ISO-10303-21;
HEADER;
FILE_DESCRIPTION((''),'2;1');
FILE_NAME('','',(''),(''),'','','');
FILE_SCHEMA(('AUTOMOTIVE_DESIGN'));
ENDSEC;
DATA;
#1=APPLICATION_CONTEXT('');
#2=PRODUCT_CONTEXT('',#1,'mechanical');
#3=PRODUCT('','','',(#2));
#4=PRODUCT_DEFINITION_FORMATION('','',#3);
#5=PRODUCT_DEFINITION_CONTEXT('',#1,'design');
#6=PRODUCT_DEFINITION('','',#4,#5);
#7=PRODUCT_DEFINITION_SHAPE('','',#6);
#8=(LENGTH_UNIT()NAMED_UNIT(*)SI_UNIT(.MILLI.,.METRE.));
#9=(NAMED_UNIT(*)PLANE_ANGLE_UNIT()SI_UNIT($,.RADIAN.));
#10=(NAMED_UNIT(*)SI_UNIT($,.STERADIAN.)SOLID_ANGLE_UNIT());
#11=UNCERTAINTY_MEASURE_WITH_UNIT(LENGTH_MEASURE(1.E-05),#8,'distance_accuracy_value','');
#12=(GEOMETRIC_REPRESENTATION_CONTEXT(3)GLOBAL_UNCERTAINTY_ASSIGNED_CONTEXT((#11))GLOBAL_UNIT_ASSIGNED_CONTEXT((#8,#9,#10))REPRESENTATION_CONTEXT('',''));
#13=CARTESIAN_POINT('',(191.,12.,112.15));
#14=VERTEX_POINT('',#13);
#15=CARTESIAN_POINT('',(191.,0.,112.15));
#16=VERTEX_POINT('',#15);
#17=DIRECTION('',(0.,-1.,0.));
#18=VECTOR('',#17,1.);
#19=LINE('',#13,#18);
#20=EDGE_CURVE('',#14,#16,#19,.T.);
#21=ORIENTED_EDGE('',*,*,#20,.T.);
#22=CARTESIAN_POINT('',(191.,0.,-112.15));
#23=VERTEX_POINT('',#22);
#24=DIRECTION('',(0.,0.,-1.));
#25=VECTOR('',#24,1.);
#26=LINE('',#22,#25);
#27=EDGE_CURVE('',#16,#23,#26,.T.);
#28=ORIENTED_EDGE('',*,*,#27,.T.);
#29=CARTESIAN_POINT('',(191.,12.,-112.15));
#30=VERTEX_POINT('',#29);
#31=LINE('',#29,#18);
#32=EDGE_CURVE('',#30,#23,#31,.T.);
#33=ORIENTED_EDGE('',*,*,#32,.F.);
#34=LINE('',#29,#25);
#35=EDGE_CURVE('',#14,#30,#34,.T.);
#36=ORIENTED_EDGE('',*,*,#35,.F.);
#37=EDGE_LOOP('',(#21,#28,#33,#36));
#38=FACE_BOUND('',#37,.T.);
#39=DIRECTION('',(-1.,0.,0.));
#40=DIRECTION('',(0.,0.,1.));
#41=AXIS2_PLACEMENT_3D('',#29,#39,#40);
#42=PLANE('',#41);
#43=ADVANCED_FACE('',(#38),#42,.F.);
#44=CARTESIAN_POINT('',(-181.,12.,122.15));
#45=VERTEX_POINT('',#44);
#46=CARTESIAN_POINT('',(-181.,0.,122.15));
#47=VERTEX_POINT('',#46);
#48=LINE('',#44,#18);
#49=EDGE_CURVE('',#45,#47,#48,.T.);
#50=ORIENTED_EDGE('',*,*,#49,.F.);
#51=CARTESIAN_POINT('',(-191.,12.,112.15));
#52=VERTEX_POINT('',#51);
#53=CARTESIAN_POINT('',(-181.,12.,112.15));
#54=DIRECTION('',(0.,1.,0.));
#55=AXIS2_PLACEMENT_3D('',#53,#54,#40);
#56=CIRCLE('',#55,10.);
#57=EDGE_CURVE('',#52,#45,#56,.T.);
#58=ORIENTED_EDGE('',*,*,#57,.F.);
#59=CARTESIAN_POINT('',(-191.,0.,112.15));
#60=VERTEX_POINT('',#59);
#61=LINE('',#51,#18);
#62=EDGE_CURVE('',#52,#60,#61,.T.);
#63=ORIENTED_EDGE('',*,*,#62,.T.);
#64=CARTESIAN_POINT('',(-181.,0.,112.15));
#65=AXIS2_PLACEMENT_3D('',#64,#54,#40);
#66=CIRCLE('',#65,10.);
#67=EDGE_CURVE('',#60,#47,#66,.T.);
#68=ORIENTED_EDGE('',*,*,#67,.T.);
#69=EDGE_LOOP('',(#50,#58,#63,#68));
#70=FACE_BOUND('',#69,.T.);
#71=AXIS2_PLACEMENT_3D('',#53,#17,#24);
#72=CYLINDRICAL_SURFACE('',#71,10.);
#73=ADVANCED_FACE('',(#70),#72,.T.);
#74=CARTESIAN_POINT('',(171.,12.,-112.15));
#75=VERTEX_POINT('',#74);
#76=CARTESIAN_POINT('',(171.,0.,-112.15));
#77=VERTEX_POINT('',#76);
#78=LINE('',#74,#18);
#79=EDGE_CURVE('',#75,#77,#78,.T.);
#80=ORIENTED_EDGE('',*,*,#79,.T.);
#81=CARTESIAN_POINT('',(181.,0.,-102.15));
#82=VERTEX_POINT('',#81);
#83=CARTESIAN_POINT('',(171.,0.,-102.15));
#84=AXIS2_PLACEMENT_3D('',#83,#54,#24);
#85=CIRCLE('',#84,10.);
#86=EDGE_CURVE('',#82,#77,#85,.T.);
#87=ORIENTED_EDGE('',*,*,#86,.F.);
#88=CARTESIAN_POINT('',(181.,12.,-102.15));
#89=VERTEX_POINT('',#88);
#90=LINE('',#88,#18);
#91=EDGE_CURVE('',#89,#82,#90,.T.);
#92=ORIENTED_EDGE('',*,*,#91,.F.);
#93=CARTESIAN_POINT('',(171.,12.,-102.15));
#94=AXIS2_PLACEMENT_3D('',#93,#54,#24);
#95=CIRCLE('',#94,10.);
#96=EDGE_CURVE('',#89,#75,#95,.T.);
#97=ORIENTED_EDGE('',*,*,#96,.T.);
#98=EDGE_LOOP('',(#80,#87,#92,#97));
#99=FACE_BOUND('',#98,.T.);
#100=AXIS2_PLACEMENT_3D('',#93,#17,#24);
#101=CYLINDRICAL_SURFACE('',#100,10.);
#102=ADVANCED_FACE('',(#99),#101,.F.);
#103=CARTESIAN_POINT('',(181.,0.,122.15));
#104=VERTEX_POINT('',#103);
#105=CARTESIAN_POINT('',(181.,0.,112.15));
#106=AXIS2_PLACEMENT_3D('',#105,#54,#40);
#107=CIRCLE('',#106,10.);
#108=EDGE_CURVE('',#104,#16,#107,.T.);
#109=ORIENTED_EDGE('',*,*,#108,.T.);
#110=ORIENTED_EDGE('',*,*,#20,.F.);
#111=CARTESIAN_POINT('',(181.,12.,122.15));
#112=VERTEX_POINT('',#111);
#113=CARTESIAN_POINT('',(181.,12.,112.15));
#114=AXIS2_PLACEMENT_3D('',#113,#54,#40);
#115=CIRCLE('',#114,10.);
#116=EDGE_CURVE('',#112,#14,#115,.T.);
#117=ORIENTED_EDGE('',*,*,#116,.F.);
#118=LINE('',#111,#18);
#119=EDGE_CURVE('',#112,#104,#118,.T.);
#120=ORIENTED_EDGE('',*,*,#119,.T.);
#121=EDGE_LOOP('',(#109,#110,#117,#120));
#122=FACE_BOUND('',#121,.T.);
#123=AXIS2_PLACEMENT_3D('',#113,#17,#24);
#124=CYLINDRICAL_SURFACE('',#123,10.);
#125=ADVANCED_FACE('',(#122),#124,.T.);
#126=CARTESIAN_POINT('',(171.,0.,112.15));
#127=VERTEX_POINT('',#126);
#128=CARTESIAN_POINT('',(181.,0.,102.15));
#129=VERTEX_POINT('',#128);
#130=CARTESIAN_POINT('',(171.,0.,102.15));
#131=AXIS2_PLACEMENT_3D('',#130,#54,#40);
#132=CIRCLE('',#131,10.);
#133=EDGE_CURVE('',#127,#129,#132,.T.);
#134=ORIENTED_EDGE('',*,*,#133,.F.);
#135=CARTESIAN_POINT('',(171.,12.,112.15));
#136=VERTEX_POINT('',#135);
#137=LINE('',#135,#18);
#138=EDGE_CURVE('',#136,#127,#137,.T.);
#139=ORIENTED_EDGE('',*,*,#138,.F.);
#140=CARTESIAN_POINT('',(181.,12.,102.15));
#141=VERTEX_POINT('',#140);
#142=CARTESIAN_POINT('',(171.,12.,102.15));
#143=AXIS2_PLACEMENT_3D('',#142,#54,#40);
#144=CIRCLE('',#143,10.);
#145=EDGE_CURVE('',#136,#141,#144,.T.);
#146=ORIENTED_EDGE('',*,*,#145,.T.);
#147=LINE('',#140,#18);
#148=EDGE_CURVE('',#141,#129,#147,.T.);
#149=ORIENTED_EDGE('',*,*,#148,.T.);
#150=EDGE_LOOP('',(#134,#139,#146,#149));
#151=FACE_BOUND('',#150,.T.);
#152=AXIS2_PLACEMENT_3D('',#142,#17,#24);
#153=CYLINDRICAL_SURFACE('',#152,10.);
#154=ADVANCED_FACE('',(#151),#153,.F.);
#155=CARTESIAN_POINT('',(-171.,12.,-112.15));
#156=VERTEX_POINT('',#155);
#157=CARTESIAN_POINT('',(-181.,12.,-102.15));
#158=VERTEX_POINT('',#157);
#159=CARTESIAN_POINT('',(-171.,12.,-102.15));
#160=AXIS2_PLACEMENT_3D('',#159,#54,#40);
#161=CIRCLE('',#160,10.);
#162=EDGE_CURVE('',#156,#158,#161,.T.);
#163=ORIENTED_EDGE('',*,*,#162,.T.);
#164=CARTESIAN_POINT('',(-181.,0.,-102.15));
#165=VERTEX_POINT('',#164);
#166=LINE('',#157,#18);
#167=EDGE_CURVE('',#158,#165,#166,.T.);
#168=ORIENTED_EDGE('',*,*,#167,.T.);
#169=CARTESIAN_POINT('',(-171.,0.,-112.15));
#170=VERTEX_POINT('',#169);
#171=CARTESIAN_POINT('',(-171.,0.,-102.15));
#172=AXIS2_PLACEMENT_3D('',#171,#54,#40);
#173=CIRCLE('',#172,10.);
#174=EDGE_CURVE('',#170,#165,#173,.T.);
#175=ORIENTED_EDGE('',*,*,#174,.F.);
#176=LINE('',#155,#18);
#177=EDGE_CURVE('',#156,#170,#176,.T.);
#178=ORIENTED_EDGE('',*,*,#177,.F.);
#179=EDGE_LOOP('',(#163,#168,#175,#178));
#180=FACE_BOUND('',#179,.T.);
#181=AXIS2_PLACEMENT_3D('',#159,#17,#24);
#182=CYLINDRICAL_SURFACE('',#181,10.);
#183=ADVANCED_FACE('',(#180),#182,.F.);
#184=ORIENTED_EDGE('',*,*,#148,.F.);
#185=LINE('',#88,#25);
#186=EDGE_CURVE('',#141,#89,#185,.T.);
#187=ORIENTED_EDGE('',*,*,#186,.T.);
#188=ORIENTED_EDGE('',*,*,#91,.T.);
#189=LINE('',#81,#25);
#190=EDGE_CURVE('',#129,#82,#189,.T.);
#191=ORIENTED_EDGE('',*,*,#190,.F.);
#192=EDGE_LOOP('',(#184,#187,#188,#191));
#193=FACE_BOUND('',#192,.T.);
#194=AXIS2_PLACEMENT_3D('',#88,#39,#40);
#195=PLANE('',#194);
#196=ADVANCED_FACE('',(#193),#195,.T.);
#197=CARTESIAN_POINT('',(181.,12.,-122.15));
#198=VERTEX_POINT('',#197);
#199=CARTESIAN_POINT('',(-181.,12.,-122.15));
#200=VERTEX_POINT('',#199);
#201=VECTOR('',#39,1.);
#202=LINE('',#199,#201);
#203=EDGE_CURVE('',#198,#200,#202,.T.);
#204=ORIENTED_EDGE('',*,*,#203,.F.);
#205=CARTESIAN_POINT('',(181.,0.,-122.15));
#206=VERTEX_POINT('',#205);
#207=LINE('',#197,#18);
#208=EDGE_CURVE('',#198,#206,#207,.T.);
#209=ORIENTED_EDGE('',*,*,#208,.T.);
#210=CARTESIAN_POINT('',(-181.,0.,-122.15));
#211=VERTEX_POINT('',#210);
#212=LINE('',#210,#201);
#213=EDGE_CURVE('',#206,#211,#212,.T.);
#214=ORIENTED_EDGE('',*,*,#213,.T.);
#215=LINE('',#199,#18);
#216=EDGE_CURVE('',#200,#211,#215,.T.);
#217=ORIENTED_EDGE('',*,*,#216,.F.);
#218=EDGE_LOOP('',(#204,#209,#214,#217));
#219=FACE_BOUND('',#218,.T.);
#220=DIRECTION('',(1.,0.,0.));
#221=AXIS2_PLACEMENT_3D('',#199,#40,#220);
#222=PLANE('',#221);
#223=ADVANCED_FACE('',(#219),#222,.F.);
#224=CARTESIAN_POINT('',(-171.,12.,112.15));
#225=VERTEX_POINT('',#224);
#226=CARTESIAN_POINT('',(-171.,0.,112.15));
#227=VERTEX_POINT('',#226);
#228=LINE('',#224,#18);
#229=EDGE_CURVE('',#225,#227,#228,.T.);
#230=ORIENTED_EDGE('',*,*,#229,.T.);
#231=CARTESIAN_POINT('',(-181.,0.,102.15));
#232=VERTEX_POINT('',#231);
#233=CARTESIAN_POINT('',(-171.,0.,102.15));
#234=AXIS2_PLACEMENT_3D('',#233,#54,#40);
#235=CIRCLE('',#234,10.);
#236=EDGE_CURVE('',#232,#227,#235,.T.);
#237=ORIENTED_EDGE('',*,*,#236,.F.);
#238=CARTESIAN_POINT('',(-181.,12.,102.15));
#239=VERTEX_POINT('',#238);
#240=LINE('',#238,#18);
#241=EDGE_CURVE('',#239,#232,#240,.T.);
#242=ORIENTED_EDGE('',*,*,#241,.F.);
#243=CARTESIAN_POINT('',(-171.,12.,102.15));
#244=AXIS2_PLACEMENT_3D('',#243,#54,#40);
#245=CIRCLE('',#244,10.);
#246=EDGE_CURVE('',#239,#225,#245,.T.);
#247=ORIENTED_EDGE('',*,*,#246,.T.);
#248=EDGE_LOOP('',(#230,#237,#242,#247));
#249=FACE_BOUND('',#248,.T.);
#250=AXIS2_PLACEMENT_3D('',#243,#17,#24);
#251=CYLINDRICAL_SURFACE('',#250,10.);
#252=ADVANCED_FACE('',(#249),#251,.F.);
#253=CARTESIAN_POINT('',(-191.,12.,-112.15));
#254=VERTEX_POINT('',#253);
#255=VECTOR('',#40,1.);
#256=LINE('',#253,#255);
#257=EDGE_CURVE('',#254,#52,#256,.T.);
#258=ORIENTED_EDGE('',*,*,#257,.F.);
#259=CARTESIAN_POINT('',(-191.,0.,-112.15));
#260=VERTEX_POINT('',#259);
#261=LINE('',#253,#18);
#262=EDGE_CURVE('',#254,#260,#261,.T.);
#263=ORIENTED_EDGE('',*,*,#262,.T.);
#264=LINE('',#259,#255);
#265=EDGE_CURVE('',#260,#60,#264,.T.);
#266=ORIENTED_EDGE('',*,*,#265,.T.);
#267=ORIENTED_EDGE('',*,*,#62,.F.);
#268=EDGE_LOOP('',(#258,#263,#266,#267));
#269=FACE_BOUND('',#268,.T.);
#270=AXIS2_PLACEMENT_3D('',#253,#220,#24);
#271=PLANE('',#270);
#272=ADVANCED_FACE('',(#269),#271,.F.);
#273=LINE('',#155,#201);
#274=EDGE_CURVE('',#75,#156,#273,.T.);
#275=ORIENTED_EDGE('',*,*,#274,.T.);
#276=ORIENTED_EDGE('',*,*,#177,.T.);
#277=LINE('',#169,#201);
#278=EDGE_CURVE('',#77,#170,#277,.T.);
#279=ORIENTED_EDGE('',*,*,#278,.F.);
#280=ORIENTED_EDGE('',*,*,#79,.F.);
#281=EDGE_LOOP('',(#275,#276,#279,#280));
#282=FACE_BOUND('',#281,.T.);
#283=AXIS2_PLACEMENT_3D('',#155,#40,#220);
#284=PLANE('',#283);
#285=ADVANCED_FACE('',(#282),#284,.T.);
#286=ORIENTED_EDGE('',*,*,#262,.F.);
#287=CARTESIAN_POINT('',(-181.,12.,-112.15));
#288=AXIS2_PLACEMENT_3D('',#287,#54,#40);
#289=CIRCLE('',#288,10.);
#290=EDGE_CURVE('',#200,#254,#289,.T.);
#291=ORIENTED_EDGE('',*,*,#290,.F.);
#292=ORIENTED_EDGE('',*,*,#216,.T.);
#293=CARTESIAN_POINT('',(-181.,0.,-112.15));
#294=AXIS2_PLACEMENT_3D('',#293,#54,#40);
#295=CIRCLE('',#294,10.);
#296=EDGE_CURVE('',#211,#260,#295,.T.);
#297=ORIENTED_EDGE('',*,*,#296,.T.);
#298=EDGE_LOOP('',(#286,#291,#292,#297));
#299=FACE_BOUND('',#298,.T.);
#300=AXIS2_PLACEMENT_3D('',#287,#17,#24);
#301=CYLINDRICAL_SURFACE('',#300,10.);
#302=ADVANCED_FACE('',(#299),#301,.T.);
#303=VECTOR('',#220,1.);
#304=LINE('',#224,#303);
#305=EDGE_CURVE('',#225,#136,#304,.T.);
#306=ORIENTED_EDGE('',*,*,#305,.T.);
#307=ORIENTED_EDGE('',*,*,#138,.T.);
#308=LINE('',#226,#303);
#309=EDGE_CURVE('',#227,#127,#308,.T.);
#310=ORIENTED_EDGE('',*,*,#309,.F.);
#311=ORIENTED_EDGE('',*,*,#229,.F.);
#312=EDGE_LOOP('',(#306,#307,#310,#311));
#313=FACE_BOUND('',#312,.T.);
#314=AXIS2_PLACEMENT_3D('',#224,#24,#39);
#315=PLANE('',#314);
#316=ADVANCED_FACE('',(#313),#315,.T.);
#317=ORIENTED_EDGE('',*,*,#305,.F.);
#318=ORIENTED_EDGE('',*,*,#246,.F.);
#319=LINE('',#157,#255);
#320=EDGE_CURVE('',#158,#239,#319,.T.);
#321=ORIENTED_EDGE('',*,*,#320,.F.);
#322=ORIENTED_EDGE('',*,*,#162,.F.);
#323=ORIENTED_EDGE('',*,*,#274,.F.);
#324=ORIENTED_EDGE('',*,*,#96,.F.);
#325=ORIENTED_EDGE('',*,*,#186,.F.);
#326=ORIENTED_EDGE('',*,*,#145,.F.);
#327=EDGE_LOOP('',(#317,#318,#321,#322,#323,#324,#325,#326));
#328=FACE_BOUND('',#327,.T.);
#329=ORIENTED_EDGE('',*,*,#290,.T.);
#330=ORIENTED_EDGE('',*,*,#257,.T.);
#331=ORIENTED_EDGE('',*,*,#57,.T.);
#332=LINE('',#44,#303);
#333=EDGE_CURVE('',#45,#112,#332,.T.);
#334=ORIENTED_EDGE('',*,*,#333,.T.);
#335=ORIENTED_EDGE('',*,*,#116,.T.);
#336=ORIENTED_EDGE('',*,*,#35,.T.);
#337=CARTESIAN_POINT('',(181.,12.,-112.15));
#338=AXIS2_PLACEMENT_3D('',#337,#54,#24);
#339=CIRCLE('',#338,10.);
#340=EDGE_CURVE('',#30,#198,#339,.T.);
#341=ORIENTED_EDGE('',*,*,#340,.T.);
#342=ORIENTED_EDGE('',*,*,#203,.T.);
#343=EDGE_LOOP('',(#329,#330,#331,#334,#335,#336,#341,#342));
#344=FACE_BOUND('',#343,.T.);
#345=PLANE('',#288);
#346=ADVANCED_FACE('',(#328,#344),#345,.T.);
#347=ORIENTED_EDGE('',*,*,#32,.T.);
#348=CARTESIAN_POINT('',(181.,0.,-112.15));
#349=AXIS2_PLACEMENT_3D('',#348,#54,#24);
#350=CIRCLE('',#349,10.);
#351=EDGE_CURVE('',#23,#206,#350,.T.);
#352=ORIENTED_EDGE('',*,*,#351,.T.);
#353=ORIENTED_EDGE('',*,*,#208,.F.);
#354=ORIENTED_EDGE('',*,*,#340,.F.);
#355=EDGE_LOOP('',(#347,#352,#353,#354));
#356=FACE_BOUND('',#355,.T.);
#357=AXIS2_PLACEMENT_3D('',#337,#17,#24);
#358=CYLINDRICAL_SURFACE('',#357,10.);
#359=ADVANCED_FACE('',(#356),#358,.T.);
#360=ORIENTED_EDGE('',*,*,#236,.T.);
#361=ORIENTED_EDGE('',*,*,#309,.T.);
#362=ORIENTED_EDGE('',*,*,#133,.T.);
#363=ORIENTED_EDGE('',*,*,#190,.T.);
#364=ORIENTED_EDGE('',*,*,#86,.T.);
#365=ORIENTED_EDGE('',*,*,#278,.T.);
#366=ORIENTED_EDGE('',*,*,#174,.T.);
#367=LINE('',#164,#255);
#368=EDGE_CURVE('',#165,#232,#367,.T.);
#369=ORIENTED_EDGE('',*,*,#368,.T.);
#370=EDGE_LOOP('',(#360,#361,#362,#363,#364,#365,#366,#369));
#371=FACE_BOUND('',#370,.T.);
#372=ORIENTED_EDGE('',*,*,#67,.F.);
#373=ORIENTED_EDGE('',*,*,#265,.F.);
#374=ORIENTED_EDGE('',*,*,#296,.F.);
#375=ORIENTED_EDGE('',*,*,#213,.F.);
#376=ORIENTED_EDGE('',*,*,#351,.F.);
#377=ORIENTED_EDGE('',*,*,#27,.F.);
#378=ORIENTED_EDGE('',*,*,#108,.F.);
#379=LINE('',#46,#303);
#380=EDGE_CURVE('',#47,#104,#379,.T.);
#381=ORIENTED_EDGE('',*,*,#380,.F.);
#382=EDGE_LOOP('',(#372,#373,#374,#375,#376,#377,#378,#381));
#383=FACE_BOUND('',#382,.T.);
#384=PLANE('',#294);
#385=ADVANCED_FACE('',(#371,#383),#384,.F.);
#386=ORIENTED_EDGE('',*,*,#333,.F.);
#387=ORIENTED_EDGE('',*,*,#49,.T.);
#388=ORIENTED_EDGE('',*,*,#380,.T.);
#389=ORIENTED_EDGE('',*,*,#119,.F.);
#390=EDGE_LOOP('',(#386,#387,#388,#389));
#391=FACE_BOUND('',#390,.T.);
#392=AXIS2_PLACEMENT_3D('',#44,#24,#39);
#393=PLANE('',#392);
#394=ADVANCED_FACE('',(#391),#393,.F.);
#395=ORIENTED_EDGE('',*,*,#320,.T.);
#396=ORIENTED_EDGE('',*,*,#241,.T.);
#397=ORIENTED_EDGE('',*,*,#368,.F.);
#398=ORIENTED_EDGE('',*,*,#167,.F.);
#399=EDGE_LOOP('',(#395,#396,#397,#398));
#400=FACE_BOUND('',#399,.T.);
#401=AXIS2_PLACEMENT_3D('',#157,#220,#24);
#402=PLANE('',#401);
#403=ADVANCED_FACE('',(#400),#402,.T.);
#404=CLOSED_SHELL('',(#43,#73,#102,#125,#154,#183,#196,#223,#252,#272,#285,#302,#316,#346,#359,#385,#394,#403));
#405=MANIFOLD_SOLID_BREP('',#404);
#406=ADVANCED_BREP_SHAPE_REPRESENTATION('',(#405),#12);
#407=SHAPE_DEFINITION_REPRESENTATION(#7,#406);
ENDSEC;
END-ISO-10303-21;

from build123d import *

# Parameters (mm, degrees)
EXTRUDE_1_DEPTH = 12


with BuildPart() as part:
    # 草图1 → 凸台-拉伸1 (new body)
    with BuildSketch(Plane(origin=(0, 0, 0), x_dir=(1, 0, 0), z_dir=(0, 1, 0))):
        with BuildLine():
            Line((-181, 122.15), (181, 122.15))
            ThreePointArc((181, 122.15), (188.071067812, 119.221067812), (191, 112.15))
            Line((191, 112.15), (191, -112.15))
            ThreePointArc((191, -112.15), (188.071067812, -119.221067812), (181, -122.15))
            Line((181, -122.15), (-181, -122.15))
            ThreePointArc((-181, -122.15), (-188.071067812, -119.221067812), (-191, -112.15))
            Line((-191, -112.15), (-191, 112.15))
            ThreePointArc((-191, 112.15), (-188.071067812, 119.221067812), (-181, 122.15))
        make_face()
        with BuildLine():
            Line((-171, 112.15), (171, 112.15))
            ThreePointArc((171, 112.15), (178.071067812, 109.221067812), (181, 102.15))
            Line((181, 102.15), (181, -102.15))
            ThreePointArc((181, -102.15), (178.071067812, -109.221067812), (171, -112.15))
            Line((171, -112.15), (-171, -112.15))
            ThreePointArc((-171, -112.15), (-178.071067812, -109.221067812), (-181, -102.15))
            Line((-181, -102.15), (-181, 102.15))
            ThreePointArc((-181, 102.15), (-178.071067812, 109.221067812), (-171, 112.15))
        make_face(mode=Mode.SUBTRACT)
    extrude(amount=EXTRUDE_1_DEPTH)


solid = part.part
